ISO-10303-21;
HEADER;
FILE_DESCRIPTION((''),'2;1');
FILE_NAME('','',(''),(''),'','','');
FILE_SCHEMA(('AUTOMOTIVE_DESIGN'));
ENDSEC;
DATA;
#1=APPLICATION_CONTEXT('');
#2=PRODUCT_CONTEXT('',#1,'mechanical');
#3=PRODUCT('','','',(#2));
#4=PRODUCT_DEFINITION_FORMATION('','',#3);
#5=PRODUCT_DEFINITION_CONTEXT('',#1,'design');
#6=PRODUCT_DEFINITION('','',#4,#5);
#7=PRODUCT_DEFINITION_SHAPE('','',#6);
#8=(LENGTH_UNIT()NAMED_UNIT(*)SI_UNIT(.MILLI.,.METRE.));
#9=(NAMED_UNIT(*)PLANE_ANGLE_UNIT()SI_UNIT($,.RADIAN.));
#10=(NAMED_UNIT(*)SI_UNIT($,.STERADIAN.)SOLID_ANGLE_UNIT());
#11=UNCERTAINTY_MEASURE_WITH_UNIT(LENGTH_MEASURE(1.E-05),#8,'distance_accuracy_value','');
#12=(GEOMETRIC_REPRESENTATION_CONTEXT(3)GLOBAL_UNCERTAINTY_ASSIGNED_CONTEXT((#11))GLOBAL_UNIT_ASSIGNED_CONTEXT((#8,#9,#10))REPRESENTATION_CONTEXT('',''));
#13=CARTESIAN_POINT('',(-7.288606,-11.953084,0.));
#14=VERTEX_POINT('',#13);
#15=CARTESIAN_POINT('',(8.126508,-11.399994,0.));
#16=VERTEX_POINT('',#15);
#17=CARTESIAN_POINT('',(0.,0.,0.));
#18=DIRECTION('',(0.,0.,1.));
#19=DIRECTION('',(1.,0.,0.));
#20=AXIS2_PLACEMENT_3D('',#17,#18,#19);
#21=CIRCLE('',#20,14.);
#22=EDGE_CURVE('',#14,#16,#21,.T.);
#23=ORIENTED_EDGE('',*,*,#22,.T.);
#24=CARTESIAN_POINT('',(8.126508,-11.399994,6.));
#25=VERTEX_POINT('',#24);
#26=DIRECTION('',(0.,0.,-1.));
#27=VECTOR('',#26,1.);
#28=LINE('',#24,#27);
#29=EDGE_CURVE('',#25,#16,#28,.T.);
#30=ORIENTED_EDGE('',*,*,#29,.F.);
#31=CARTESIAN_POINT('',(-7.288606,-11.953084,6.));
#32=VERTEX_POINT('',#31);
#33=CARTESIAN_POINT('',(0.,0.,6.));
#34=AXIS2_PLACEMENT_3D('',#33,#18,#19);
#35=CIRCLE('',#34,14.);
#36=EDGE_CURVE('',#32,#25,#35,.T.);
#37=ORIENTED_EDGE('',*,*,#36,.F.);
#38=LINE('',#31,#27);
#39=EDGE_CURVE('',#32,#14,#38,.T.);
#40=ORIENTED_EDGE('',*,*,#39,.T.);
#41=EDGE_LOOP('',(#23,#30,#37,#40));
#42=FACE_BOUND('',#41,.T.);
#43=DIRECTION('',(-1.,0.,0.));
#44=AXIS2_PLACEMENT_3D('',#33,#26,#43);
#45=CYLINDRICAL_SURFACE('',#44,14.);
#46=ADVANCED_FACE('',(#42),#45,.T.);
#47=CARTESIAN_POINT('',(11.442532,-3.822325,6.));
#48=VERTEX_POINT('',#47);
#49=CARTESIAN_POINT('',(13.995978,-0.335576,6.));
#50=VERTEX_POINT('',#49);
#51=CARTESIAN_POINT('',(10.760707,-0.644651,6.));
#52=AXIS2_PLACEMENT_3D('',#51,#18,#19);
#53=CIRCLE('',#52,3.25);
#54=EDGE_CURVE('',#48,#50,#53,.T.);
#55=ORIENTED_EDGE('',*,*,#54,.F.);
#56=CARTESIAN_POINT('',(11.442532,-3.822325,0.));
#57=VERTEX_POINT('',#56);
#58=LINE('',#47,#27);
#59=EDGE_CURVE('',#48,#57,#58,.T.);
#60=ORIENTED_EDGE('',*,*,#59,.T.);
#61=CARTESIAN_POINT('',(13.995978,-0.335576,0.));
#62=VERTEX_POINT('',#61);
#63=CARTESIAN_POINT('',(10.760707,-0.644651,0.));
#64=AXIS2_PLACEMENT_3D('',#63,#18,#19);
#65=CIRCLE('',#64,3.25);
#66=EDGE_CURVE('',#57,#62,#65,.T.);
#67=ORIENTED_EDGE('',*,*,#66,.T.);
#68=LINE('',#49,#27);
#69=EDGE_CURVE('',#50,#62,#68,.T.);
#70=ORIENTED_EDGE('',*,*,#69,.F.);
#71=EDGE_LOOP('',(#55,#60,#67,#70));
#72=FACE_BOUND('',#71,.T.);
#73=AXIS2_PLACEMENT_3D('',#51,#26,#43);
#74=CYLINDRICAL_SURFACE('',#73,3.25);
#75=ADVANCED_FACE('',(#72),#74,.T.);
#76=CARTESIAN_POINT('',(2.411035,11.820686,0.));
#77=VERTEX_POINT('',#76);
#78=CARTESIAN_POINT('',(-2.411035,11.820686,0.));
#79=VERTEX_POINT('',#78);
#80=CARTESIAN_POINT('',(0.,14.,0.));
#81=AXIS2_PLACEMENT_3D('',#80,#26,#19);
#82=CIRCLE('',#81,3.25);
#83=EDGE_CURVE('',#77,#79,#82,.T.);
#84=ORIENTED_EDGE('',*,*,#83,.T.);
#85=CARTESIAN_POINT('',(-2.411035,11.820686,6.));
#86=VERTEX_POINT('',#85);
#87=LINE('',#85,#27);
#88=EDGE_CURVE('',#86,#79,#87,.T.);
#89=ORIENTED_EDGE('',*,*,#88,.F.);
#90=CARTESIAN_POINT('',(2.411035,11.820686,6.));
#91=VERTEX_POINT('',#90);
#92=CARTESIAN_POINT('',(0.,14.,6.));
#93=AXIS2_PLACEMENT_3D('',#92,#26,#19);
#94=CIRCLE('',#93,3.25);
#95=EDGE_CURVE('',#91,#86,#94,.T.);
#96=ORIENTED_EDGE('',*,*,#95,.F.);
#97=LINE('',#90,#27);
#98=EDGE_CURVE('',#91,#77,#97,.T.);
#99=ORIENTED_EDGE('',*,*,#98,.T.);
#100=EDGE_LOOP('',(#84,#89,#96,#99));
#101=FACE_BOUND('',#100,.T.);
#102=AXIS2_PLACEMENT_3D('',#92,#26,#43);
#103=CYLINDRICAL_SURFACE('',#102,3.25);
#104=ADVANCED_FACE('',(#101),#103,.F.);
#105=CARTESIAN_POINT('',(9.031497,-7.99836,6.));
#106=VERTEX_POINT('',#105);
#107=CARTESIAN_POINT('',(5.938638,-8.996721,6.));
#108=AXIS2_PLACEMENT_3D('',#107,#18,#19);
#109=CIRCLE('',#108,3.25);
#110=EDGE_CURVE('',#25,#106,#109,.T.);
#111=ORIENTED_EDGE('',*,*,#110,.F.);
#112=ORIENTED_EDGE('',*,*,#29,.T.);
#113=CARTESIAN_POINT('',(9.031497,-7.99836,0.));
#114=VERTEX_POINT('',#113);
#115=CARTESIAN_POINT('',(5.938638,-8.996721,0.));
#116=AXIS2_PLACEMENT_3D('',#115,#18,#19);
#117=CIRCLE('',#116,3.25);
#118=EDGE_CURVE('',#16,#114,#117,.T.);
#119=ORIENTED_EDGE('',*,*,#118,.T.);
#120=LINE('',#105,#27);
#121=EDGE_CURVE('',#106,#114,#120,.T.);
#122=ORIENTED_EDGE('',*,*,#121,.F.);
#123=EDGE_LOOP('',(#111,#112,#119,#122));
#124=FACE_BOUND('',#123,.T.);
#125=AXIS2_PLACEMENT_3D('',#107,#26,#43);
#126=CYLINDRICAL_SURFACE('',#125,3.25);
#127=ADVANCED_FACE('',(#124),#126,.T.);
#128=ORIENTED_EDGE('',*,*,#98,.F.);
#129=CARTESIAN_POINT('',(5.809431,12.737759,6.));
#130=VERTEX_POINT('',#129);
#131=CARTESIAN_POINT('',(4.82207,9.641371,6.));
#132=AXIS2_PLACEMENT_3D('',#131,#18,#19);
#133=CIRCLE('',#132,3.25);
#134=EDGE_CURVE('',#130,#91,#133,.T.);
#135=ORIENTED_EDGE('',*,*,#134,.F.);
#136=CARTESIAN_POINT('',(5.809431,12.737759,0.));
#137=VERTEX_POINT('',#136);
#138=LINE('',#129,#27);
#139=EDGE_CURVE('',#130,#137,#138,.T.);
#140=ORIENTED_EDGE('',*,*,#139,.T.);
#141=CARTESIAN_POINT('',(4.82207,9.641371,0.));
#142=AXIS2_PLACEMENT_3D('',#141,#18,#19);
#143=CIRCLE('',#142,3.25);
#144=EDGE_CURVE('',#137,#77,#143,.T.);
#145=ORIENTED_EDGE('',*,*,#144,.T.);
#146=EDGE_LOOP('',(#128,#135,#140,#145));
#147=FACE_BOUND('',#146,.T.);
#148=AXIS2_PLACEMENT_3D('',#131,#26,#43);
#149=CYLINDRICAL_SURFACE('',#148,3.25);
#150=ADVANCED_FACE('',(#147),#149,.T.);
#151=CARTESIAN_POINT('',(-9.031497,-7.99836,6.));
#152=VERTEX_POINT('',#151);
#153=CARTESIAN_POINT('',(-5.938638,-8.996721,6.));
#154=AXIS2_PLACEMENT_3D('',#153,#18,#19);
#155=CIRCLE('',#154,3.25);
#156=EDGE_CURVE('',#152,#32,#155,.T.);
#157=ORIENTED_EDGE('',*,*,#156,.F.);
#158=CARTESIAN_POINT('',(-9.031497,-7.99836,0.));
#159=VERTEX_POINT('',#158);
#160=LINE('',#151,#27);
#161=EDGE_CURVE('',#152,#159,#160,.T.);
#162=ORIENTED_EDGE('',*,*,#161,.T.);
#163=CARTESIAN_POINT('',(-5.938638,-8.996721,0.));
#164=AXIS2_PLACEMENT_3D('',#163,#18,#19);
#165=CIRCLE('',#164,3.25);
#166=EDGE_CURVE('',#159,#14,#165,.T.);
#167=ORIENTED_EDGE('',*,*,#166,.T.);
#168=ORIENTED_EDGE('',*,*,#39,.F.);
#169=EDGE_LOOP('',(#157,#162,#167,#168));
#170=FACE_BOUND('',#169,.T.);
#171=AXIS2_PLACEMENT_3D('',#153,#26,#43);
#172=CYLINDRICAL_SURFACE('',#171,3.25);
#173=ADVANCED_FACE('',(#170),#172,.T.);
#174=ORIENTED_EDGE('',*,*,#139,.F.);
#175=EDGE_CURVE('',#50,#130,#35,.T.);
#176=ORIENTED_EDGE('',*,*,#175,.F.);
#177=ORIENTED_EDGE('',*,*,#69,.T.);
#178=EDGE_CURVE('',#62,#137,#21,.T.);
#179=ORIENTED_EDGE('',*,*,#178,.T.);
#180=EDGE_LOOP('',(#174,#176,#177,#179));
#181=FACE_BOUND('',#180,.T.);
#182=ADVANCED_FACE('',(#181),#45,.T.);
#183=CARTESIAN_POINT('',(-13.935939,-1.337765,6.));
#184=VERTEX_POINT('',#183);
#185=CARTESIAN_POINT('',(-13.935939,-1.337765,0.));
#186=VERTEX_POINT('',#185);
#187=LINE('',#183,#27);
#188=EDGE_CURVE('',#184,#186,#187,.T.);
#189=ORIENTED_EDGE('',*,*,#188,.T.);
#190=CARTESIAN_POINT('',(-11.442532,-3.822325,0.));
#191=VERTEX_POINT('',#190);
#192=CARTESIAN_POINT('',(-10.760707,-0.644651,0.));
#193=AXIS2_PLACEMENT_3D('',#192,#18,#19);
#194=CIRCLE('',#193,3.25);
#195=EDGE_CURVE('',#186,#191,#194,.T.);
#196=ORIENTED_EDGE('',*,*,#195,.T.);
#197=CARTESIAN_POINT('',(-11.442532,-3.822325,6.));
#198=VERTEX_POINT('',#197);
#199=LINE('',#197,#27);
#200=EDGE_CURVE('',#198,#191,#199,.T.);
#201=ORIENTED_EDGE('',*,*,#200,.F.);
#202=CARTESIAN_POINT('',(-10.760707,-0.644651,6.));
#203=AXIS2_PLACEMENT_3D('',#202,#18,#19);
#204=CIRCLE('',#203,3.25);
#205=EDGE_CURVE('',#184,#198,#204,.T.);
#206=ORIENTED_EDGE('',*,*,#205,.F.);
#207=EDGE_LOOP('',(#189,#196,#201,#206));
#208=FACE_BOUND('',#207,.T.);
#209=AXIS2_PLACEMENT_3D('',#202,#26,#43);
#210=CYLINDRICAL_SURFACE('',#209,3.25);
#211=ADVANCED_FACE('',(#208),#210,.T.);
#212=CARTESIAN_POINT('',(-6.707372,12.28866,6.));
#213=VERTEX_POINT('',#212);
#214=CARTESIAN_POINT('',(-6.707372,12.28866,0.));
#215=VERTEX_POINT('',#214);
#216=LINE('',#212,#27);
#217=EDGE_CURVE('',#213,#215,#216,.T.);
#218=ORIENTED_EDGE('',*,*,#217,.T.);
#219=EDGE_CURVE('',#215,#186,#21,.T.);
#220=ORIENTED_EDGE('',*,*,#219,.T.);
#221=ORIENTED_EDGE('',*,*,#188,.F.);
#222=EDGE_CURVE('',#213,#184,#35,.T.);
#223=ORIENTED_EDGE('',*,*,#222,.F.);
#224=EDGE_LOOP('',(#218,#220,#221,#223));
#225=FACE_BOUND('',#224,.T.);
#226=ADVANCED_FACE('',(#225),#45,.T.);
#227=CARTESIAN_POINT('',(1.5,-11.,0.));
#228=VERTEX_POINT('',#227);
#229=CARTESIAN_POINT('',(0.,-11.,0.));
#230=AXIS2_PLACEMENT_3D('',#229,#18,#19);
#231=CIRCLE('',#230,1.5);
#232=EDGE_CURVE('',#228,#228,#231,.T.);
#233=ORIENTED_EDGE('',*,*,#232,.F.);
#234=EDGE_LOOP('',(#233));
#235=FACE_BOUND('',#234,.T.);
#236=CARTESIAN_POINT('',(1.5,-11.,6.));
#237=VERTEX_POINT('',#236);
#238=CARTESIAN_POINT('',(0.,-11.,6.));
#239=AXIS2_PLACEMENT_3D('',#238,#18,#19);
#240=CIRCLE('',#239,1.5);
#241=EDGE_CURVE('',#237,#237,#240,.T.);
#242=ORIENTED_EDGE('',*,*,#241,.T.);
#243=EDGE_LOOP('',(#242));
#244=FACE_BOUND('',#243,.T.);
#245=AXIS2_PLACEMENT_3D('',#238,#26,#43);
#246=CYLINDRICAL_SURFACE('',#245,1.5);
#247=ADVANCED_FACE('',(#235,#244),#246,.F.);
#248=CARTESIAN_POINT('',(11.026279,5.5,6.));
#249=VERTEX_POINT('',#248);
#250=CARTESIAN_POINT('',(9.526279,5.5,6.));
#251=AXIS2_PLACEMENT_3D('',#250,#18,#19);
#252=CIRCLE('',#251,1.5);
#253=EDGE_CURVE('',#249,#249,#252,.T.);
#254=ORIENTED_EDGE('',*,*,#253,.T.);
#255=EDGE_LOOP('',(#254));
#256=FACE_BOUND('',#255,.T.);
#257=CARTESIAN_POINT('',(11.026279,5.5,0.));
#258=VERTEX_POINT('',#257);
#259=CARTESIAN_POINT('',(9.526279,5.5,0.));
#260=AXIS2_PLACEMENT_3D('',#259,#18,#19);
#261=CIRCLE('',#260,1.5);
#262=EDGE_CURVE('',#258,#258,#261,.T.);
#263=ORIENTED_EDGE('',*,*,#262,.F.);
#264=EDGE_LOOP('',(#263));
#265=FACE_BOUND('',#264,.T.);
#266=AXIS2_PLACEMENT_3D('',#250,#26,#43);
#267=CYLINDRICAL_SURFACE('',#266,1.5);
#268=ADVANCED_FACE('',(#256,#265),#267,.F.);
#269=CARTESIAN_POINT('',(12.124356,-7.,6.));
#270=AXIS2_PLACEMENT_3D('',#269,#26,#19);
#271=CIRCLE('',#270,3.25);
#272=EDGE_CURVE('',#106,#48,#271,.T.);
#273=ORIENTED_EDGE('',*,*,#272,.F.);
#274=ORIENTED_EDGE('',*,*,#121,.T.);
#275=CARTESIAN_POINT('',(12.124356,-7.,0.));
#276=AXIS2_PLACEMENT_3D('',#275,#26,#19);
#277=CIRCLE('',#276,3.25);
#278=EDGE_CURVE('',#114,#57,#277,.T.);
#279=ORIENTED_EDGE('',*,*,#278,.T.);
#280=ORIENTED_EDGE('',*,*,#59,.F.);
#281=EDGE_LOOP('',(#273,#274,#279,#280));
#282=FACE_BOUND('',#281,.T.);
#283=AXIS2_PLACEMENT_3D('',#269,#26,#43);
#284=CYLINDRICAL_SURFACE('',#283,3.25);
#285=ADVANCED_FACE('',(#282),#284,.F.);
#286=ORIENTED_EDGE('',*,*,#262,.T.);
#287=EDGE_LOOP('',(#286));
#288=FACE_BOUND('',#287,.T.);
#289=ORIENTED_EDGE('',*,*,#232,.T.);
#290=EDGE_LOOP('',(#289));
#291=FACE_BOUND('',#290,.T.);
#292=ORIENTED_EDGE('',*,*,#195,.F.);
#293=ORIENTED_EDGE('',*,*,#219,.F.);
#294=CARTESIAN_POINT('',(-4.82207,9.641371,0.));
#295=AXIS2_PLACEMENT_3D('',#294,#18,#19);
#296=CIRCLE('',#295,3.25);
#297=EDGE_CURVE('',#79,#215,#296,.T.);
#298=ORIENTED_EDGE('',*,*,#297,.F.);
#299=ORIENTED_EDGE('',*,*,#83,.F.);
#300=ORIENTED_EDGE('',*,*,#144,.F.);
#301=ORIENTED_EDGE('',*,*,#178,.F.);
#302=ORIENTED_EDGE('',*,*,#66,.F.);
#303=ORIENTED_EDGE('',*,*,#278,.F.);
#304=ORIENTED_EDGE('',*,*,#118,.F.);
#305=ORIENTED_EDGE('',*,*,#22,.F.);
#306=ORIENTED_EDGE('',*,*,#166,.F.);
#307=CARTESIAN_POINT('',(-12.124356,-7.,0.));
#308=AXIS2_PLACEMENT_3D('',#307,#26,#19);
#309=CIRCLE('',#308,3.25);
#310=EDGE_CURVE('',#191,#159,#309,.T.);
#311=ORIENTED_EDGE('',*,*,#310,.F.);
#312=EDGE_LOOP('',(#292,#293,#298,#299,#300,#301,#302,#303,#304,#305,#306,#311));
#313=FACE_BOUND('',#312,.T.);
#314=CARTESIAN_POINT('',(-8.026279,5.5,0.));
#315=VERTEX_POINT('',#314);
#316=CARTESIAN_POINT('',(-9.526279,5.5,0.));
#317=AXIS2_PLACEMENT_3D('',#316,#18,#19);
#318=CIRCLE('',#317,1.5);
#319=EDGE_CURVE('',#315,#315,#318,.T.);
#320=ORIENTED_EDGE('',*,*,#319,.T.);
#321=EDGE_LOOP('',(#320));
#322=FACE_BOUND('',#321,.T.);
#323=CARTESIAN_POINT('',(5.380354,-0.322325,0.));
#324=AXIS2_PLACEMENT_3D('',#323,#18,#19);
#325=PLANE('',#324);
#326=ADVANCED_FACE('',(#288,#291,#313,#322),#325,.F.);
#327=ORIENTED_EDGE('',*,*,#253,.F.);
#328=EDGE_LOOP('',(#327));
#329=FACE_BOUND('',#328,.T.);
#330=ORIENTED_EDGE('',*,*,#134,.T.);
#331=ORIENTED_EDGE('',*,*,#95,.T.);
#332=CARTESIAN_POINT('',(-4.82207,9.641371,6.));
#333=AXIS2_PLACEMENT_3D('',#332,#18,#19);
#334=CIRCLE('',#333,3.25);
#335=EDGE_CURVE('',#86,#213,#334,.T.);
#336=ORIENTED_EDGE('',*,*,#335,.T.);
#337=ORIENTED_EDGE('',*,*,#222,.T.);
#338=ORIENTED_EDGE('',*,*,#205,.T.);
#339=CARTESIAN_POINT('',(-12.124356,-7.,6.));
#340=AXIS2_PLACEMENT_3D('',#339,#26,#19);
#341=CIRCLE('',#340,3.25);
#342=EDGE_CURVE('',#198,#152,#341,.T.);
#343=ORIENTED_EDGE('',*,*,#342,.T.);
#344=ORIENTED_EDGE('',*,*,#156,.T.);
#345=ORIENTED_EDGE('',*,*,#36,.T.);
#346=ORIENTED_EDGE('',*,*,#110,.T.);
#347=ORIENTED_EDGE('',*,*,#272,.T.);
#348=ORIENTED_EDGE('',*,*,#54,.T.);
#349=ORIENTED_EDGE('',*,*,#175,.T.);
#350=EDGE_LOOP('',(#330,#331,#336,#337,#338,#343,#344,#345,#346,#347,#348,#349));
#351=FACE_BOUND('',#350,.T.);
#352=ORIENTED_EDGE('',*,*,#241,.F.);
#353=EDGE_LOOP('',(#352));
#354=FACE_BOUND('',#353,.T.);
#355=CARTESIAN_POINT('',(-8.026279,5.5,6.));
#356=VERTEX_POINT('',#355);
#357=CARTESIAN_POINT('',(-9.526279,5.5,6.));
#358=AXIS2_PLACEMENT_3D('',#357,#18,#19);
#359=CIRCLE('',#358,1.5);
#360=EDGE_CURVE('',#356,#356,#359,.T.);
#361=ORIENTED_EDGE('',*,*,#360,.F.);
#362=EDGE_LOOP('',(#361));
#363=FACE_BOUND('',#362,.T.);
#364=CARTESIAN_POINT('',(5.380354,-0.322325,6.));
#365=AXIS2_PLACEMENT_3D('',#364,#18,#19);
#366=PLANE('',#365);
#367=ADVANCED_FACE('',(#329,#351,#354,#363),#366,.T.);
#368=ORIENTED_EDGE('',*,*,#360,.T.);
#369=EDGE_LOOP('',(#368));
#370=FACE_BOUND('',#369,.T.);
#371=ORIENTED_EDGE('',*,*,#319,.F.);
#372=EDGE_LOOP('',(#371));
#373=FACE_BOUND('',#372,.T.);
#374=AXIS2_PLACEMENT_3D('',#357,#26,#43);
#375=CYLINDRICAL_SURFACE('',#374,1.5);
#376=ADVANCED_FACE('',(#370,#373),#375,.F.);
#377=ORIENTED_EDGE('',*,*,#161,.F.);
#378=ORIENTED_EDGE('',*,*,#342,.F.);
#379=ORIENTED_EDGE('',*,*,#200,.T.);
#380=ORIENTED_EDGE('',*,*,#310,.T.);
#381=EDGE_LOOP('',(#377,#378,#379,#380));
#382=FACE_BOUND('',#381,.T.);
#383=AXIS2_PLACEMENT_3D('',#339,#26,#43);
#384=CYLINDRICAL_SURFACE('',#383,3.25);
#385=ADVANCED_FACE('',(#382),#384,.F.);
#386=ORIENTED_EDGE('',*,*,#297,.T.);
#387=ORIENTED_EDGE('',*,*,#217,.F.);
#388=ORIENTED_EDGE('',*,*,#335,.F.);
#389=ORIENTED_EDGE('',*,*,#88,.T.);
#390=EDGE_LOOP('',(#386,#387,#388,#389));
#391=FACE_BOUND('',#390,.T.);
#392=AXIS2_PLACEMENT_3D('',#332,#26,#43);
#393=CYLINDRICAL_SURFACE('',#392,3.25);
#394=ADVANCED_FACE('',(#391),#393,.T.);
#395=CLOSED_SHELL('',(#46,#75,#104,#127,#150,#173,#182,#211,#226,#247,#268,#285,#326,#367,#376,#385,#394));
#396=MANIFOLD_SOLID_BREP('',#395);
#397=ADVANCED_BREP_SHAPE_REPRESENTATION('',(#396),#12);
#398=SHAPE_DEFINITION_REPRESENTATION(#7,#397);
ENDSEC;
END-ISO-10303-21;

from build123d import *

# Parameters (mm, degrees)
ESQUISSE1_R        = 1.5
BOSS_EXTRU_2_DEPTH = 6


with BuildPart() as part:
    # Esquisse1 → Boss.-Extru.2 (new body)
    with BuildSketch(Plane.XY):
        with BuildLine():
            ThreePointArc((-2.411034891, 11.820685714), (0, 10.75), (2.411034891, 11.820685714))
            ThreePointArc((2.411034891, 11.820685714), (3.975330286, 12.779130538), (5.80943088, 12.737759334))
            ThreePointArc((5.80943088, 12.737759334), (11.865562564, 7.430237213), (13.995977593, -0.335575935))
            ThreePointArc((13.995977593, -0.335575935), (13.382779595, -2.564868949), (11.442531564, -3.822325392))
            ThreePointArc((11.442531564, -3.822325392), (9.309773091, -5.375), (9.031496673, -7.998360322))
            ThreePointArc((9.031496673, -7.998360322), (9.079386541, -9.832302285), (8.126507731, -11.399994391))
            ThreePointArc((8.126507731, -11.399994391), (0.5019929, -13.990997217), (-7.288606081, -11.953084179))
            ThreePointArc((-7.288606081, -11.953084179), (-8.912631465, -10.307392628), (-9.031496673, -7.998360322))
            ThreePointArc((-9.031496673, -7.998360322), (-9.309773091, -5.375), (-11.442531564, -3.822325392))
            ThreePointArc((-11.442531564, -3.822325392), (-13.054716827, -2.946828253), (-13.935938611, -1.337764944))
            ThreePointArc((-13.935938611, -1.337764944), (-12.367555464, 6.560760004), (-6.707371512, 12.288660114))
            ThreePointArc((-6.707371512, 12.288660114), (-4.47014813, 12.872261577), (-2.411034891, 11.820685714))
        make_face()
        with Locations((9.526279442, 5.5)):
            Circle(ESQUISSE1_R, mode=Mode.SUBTRACT)
        with Locations((0, -11)):
            Circle(ESQUISSE1_R, mode=Mode.SUBTRACT)
        with Locations((-9.526279442, 5.5)):
            Circle(ESQUISSE1_R, mode=Mode.SUBTRACT)
    extrude(amount=BOSS_EXTRU_2_DEPTH)


solid = part.part
